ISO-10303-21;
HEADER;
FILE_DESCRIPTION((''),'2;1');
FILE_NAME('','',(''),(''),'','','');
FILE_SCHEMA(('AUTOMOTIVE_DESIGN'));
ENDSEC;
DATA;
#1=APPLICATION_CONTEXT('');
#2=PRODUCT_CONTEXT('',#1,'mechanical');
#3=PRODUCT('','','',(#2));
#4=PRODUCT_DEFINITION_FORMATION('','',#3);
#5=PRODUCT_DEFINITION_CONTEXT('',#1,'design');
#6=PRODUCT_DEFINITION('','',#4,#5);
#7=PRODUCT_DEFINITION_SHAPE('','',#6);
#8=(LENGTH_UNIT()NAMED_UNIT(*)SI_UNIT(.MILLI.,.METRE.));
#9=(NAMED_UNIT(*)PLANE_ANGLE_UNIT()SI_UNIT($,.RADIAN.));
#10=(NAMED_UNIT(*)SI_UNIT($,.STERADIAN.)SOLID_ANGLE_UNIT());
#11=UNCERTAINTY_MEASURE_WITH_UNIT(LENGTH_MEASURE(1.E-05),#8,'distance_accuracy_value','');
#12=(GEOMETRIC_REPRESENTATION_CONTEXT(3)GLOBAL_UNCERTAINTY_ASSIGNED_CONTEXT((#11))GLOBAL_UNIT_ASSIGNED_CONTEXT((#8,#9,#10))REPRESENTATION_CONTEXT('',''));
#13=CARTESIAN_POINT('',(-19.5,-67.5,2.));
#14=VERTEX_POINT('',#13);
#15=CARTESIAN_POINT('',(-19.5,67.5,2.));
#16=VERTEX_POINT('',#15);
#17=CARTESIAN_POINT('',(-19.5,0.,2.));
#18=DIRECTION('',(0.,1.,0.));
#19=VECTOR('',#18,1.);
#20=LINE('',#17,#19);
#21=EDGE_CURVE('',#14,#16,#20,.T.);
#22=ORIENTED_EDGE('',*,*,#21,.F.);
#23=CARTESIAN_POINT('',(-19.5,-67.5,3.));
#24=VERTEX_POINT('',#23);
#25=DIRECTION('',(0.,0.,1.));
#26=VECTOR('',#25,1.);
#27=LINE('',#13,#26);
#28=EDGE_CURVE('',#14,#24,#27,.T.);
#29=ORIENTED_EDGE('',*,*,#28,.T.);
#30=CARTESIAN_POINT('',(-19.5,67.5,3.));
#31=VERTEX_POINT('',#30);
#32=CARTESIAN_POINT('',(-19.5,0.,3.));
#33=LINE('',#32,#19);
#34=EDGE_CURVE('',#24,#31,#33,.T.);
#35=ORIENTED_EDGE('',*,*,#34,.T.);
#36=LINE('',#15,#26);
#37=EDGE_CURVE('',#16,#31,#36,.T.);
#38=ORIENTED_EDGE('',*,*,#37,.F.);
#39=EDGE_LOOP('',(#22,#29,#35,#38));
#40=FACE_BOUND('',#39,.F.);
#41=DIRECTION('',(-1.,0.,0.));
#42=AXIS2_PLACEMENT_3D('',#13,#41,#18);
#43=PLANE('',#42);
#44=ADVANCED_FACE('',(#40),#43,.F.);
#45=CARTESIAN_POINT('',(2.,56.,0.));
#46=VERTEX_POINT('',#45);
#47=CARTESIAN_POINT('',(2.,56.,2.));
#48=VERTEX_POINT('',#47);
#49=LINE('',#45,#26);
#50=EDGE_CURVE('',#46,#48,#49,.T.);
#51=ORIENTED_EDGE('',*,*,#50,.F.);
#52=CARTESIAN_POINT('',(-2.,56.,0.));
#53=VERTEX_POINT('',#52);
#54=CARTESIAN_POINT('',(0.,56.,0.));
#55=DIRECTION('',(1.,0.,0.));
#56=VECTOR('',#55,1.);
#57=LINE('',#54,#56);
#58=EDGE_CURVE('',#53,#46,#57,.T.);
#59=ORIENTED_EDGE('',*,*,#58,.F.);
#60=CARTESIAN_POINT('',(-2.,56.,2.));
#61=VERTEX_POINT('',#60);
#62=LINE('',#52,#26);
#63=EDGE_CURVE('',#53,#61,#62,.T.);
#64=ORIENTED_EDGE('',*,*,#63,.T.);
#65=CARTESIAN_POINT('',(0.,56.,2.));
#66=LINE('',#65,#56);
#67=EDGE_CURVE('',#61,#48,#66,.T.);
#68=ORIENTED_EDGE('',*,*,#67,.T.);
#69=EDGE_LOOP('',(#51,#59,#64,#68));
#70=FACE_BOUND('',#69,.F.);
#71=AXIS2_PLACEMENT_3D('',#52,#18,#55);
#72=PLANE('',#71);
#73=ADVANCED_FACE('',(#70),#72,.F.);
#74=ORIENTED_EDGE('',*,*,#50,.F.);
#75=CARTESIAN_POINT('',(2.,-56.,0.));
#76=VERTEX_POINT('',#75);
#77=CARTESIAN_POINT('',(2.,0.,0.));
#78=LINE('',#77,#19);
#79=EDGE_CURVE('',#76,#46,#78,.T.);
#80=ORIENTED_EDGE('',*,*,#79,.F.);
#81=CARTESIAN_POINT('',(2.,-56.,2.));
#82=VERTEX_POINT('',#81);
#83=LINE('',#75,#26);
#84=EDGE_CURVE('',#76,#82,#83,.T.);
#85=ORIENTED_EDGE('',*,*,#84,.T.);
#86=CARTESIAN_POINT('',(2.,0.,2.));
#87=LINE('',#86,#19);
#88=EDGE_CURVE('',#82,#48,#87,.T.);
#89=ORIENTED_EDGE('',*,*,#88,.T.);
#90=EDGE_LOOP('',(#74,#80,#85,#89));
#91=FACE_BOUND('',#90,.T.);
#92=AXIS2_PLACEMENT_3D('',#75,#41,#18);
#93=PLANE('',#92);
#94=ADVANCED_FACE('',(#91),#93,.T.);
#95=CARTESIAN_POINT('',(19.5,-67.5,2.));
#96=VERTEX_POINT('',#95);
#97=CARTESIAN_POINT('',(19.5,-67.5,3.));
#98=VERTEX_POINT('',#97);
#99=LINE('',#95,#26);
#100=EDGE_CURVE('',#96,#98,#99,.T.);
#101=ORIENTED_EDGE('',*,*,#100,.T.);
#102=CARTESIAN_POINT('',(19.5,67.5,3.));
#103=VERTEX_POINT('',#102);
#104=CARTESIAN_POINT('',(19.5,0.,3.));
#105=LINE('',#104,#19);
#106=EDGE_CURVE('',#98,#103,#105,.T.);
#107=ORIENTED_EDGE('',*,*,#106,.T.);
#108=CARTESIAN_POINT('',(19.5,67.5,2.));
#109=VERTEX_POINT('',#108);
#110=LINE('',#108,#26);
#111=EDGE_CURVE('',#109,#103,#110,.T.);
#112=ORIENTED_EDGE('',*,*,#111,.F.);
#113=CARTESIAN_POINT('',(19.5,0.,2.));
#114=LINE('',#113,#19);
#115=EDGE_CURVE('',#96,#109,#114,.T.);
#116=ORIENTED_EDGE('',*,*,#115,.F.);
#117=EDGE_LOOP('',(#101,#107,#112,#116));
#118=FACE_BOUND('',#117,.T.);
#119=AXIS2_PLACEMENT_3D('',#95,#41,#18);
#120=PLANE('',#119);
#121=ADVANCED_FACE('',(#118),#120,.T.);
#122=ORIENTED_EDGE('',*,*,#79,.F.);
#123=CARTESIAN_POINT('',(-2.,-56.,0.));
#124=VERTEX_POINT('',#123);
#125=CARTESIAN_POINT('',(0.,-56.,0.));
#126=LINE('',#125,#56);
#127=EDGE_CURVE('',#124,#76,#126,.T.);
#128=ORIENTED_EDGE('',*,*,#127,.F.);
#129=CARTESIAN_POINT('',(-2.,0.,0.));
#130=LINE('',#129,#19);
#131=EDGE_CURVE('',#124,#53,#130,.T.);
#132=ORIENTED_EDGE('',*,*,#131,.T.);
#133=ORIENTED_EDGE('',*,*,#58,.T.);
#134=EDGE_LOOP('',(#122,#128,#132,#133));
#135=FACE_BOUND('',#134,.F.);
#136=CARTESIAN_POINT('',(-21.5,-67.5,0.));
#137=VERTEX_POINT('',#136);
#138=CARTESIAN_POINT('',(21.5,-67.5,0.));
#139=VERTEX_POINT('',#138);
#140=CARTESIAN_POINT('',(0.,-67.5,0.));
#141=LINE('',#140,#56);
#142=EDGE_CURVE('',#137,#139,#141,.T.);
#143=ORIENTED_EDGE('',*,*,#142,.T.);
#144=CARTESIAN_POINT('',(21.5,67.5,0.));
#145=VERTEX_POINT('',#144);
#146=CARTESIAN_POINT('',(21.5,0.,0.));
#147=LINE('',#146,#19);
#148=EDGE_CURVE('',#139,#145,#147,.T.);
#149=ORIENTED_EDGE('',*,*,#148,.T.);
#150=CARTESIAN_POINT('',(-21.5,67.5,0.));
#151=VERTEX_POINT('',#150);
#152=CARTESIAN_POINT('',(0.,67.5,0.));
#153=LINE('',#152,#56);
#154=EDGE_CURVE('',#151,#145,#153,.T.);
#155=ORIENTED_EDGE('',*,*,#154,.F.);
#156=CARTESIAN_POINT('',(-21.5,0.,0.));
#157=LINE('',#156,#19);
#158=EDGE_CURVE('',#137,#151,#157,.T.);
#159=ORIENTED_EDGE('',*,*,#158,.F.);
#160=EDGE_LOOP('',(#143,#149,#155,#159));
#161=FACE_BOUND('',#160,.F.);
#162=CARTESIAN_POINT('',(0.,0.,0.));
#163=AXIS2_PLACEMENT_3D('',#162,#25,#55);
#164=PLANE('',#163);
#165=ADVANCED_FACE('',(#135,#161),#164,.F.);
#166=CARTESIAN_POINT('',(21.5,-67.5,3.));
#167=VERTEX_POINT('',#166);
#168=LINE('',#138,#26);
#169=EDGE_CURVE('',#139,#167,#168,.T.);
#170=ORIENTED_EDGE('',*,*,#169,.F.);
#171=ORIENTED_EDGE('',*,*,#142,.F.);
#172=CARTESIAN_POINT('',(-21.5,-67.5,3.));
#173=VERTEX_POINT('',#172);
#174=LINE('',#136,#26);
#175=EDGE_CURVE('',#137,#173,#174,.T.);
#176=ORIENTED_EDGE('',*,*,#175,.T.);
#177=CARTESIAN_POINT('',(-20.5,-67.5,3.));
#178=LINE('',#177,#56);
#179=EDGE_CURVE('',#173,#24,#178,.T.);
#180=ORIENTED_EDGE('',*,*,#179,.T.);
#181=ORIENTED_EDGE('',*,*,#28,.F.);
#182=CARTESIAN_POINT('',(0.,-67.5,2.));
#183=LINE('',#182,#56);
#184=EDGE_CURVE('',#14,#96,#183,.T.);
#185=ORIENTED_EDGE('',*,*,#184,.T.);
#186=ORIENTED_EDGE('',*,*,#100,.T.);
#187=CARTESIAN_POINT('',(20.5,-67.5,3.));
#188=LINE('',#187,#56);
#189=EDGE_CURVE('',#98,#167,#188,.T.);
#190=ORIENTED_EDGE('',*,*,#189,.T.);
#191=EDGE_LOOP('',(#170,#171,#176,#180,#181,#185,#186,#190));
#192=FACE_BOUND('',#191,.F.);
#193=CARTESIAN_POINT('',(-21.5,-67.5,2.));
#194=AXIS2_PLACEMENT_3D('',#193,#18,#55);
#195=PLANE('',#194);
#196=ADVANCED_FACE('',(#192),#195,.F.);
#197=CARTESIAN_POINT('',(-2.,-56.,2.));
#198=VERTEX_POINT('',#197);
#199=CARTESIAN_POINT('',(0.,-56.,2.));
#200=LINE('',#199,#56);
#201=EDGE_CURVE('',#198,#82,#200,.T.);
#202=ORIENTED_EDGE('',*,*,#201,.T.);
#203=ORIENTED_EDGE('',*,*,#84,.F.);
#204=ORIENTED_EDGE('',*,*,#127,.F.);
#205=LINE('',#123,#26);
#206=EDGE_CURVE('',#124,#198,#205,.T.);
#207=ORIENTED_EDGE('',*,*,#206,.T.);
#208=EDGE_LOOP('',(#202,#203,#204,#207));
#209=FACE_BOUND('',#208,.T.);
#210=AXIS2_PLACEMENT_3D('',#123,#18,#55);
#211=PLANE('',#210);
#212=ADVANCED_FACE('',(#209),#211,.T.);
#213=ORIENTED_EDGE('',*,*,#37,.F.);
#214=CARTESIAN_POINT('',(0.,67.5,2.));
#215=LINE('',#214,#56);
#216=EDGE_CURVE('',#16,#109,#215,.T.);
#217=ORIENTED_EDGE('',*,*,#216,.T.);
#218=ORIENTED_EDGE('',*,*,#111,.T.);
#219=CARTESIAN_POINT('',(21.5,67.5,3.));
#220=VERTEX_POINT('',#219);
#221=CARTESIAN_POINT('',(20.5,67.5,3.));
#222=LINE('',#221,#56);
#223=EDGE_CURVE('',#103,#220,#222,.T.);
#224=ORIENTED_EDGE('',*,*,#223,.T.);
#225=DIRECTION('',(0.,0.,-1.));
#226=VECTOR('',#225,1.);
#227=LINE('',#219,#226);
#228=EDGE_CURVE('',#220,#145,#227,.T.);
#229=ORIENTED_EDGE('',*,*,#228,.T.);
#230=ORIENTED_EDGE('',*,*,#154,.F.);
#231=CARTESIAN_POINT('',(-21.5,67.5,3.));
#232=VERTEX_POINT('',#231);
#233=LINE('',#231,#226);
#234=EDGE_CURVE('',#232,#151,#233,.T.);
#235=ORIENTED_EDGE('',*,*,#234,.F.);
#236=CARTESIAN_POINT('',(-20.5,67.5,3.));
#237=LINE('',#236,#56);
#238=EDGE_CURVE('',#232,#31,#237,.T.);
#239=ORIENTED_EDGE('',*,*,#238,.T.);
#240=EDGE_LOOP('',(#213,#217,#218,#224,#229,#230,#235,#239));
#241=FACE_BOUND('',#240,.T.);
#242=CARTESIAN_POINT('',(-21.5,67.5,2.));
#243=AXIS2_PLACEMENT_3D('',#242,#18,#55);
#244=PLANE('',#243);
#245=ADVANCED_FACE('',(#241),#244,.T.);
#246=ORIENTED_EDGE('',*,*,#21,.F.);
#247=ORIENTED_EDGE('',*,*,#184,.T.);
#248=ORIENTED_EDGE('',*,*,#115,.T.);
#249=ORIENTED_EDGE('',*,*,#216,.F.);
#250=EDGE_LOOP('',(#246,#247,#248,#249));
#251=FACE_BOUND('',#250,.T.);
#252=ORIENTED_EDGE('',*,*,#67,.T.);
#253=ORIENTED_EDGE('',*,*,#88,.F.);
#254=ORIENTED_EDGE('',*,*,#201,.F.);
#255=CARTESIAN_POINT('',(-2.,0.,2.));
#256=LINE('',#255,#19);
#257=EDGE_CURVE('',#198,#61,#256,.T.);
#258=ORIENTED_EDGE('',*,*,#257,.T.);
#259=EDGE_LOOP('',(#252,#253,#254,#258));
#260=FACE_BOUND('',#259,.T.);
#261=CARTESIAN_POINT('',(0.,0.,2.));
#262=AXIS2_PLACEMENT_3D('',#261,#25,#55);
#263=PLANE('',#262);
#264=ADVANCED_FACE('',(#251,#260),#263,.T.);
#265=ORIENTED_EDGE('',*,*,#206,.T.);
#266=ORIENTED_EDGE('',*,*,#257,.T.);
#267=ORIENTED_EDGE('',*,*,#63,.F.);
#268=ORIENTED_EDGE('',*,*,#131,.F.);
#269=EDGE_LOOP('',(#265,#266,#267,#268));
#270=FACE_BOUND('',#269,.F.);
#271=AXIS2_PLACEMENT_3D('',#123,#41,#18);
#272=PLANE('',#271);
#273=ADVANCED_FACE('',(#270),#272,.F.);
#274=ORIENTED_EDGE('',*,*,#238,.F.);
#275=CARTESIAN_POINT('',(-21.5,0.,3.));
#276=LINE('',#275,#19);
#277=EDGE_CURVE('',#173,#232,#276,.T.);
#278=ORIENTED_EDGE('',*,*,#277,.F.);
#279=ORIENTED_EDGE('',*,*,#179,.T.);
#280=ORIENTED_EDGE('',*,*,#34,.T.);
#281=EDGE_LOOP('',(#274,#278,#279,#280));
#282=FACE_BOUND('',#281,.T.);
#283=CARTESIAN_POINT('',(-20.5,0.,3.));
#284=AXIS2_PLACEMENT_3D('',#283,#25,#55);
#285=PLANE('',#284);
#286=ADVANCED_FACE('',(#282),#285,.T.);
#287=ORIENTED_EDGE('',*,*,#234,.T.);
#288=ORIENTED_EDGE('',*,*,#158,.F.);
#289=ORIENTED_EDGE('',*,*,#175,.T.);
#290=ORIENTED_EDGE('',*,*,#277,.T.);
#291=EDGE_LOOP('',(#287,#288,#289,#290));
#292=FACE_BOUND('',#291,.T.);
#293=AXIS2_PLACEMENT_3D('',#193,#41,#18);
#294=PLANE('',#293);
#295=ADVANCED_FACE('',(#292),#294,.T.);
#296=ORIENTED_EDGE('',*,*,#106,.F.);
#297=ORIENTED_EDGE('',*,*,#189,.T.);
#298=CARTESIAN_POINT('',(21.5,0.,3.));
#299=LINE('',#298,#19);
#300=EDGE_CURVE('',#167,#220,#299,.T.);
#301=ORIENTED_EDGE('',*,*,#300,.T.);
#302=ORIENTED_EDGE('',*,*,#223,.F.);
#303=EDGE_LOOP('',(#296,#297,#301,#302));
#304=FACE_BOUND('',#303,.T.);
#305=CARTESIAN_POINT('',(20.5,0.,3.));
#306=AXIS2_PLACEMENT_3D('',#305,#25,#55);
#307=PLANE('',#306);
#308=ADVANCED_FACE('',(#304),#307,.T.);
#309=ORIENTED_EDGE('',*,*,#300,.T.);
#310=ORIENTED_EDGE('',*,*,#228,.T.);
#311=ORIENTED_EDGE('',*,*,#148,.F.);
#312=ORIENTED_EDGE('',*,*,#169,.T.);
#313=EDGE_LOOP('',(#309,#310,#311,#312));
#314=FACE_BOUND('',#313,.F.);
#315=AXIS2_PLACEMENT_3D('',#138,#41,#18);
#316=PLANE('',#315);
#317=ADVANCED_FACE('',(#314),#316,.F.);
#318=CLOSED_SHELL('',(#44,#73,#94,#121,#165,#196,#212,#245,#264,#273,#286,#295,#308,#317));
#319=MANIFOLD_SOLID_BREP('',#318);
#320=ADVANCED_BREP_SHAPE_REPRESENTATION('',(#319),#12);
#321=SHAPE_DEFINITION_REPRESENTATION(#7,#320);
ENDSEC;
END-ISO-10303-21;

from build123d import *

# Parameters (mm, degrees)
F0_W     = 43
F0_H     = 135
F0_W_2   = 4
F0_H_2   = 112
F1_DEPTH = 2
F2_W     = 2
F2_H     = 135
F3_DEPTH = 1


with BuildPart() as f1:
    # F0 (on Top) → F1 (new body)
    with BuildSketch(Plane.XY):
        Rectangle(F0_W, F0_H)
        Rectangle(F0_W_2, F0_H_2, mode=Mode.SUBTRACT)
    extrude(amount=F1_DEPTH)

    # F2 (on face) → F3 (join)
    with BuildSketch(Plane.XY.offset(2)):
        with Locations((-20.5, 0)):
            Rectangle(F2_W, F2_H)
        with Locations((20.5, 0)):
            Rectangle(F2_W, F2_H)
    extrude(amount=F3_DEPTH)


solid = f1.part
